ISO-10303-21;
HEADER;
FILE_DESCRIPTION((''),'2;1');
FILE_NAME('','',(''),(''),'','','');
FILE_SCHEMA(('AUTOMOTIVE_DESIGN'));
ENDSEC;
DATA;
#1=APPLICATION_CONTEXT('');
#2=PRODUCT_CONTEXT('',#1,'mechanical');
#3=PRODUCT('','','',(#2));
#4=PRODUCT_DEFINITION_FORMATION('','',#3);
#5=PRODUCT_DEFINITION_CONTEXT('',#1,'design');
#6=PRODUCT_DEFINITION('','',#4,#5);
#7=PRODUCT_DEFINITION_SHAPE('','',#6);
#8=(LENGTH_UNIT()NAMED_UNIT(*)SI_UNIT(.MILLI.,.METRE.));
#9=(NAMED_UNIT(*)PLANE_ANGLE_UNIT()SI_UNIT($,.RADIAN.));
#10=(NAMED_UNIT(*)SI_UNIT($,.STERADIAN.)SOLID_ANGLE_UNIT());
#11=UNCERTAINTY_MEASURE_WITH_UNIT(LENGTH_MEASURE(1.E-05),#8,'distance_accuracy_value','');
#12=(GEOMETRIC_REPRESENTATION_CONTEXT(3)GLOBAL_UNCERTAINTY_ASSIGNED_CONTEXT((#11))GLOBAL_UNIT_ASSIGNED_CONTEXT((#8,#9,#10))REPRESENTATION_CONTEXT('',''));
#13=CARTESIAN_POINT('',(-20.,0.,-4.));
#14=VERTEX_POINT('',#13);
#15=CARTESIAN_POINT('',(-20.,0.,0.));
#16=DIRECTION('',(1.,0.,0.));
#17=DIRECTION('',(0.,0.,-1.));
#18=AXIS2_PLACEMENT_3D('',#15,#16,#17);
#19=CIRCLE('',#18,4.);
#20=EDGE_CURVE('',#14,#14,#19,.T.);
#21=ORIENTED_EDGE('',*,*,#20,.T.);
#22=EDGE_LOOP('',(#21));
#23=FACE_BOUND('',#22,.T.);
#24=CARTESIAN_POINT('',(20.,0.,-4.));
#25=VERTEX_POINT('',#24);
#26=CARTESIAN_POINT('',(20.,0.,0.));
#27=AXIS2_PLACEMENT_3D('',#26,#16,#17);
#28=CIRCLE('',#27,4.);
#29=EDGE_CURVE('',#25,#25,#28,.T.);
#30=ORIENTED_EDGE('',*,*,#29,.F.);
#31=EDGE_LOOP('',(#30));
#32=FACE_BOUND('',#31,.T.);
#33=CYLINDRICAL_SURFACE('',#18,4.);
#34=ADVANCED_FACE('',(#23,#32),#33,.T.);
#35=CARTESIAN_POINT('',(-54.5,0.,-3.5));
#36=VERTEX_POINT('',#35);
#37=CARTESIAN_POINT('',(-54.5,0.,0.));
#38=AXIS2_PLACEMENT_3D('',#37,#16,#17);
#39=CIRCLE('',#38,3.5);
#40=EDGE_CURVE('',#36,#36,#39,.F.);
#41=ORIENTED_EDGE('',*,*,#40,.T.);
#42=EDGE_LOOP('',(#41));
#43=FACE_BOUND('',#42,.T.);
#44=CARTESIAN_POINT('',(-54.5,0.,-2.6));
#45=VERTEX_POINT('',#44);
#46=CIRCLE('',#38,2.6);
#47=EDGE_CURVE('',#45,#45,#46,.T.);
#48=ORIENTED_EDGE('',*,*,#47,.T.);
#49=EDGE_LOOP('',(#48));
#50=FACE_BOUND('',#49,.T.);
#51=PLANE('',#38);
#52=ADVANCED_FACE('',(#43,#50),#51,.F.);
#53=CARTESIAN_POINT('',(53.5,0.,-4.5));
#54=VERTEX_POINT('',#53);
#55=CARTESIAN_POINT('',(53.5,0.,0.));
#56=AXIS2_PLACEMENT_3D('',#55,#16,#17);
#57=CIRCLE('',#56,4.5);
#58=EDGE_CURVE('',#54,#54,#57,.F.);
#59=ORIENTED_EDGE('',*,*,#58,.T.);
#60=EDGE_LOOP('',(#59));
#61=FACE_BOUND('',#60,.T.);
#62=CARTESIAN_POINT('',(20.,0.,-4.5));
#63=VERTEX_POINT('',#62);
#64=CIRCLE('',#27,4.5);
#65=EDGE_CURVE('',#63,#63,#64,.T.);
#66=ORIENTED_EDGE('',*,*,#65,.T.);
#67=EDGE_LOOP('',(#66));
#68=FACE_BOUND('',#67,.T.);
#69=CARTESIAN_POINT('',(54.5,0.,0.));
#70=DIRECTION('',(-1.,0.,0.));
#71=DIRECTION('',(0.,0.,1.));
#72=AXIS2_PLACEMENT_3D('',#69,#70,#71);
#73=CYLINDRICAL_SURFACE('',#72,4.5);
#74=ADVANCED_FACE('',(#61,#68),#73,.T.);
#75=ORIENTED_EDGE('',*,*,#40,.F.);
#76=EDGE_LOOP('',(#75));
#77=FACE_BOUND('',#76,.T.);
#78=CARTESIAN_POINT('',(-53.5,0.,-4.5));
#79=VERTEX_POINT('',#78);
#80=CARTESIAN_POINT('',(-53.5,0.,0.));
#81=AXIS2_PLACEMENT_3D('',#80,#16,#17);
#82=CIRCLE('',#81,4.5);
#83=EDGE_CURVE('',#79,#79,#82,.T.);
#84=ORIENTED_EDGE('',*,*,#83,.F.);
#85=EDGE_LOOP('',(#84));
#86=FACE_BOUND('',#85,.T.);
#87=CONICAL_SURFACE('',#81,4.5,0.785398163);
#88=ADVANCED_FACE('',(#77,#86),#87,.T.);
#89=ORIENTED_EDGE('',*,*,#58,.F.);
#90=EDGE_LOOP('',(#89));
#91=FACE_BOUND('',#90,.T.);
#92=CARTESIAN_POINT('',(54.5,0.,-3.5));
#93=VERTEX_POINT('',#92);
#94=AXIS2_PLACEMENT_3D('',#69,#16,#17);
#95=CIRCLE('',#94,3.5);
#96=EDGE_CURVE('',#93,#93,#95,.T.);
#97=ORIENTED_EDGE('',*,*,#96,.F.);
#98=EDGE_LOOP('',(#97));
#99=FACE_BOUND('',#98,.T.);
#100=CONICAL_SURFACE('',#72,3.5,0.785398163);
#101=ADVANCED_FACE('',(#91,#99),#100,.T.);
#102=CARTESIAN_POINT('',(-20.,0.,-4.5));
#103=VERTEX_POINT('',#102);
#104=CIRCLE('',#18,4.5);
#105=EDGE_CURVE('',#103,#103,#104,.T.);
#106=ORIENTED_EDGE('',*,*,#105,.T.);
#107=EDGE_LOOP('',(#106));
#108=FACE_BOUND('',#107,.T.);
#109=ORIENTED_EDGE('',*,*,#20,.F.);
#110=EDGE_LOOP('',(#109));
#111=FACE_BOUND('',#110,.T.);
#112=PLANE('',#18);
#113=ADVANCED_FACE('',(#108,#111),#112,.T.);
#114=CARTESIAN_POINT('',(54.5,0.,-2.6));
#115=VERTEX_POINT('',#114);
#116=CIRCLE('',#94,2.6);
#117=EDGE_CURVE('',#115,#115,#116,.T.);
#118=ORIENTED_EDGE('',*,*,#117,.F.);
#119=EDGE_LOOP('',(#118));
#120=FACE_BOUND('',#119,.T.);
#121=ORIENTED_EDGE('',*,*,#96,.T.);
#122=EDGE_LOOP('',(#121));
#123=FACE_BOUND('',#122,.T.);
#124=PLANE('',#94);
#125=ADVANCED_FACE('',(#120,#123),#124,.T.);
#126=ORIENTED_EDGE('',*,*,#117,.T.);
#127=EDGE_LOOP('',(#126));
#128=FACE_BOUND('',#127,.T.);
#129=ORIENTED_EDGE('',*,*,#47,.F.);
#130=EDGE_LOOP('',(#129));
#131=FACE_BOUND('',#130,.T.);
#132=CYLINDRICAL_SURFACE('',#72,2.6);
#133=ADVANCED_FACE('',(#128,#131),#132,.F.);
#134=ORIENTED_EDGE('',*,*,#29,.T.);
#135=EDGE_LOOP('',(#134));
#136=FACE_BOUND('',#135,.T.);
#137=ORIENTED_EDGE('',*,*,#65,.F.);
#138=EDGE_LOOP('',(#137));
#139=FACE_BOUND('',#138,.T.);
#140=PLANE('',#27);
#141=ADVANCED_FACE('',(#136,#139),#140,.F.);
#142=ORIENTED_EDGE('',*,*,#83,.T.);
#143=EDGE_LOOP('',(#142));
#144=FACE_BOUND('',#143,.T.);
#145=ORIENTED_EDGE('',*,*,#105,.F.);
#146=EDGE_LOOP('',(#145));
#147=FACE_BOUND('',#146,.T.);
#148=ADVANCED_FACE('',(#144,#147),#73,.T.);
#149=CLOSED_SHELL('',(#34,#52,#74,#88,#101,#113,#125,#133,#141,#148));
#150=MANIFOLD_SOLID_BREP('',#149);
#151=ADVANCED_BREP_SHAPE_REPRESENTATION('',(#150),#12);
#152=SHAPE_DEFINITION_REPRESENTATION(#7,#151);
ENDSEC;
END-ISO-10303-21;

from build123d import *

# Parameters (mm, degrees)
ESQUISSE1_R             = 4.5
ESQUISSE1_R_2           = 2.6
EXTRUSION1_DEPTH        = 54.5
ESQUISSE2_OUTSIDE_W     = 32.948
ESQUISSE2_OUTSIDE_H     = 32.948
ESQUISSE2_OUTSIDE_R     = 4
ENL_V_MAT_EXTRU_1_DEPTH = 20
CHANFREIN1_SIZE         = 1


with BuildPart() as part:
    # Esquisse1 → Extrusion1 (new body, symmetric)
    with BuildSketch(Plane(origin=(0, 0, 0), x_dir=(0, 0, -1), z_dir=(1, 0, 0))):
        Circle(ESQUISSE1_R)
        Circle(ESQUISSE1_R_2, mode=Mode.SUBTRACT)
    extrude(amount=EXTRUSION1_DEPTH, both=True)

    # Esquisse2 outside → Enlèv. mat.-Extru.1 (cut, symmetric)
    with BuildSketch(Plane(origin=(0, 0, 0), x_dir=(0, 0, -1), z_dir=(1, 0, 0))):
        Rectangle(ESQUISSE2_OUTSIDE_W, ESQUISSE2_OUTSIDE_H)
        Circle(ESQUISSE2_OUTSIDE_R, mode=Mode.SUBTRACT)
    extrude(amount=ENL_V_MAT_EXTRU_1_DEPTH, both=True, mode=Mode.SUBTRACT)

    # Chanfrein1
    chanfrein1_edges = [part.edges().sort_by_distance(p)[0] for p in [
        (-54.5, 0, 4.5),
        (54.5, 0, 4.5),
    ]]
    chamfer(chanfrein1_edges, length=CHANFREIN1_SIZE)


solid = part.part
